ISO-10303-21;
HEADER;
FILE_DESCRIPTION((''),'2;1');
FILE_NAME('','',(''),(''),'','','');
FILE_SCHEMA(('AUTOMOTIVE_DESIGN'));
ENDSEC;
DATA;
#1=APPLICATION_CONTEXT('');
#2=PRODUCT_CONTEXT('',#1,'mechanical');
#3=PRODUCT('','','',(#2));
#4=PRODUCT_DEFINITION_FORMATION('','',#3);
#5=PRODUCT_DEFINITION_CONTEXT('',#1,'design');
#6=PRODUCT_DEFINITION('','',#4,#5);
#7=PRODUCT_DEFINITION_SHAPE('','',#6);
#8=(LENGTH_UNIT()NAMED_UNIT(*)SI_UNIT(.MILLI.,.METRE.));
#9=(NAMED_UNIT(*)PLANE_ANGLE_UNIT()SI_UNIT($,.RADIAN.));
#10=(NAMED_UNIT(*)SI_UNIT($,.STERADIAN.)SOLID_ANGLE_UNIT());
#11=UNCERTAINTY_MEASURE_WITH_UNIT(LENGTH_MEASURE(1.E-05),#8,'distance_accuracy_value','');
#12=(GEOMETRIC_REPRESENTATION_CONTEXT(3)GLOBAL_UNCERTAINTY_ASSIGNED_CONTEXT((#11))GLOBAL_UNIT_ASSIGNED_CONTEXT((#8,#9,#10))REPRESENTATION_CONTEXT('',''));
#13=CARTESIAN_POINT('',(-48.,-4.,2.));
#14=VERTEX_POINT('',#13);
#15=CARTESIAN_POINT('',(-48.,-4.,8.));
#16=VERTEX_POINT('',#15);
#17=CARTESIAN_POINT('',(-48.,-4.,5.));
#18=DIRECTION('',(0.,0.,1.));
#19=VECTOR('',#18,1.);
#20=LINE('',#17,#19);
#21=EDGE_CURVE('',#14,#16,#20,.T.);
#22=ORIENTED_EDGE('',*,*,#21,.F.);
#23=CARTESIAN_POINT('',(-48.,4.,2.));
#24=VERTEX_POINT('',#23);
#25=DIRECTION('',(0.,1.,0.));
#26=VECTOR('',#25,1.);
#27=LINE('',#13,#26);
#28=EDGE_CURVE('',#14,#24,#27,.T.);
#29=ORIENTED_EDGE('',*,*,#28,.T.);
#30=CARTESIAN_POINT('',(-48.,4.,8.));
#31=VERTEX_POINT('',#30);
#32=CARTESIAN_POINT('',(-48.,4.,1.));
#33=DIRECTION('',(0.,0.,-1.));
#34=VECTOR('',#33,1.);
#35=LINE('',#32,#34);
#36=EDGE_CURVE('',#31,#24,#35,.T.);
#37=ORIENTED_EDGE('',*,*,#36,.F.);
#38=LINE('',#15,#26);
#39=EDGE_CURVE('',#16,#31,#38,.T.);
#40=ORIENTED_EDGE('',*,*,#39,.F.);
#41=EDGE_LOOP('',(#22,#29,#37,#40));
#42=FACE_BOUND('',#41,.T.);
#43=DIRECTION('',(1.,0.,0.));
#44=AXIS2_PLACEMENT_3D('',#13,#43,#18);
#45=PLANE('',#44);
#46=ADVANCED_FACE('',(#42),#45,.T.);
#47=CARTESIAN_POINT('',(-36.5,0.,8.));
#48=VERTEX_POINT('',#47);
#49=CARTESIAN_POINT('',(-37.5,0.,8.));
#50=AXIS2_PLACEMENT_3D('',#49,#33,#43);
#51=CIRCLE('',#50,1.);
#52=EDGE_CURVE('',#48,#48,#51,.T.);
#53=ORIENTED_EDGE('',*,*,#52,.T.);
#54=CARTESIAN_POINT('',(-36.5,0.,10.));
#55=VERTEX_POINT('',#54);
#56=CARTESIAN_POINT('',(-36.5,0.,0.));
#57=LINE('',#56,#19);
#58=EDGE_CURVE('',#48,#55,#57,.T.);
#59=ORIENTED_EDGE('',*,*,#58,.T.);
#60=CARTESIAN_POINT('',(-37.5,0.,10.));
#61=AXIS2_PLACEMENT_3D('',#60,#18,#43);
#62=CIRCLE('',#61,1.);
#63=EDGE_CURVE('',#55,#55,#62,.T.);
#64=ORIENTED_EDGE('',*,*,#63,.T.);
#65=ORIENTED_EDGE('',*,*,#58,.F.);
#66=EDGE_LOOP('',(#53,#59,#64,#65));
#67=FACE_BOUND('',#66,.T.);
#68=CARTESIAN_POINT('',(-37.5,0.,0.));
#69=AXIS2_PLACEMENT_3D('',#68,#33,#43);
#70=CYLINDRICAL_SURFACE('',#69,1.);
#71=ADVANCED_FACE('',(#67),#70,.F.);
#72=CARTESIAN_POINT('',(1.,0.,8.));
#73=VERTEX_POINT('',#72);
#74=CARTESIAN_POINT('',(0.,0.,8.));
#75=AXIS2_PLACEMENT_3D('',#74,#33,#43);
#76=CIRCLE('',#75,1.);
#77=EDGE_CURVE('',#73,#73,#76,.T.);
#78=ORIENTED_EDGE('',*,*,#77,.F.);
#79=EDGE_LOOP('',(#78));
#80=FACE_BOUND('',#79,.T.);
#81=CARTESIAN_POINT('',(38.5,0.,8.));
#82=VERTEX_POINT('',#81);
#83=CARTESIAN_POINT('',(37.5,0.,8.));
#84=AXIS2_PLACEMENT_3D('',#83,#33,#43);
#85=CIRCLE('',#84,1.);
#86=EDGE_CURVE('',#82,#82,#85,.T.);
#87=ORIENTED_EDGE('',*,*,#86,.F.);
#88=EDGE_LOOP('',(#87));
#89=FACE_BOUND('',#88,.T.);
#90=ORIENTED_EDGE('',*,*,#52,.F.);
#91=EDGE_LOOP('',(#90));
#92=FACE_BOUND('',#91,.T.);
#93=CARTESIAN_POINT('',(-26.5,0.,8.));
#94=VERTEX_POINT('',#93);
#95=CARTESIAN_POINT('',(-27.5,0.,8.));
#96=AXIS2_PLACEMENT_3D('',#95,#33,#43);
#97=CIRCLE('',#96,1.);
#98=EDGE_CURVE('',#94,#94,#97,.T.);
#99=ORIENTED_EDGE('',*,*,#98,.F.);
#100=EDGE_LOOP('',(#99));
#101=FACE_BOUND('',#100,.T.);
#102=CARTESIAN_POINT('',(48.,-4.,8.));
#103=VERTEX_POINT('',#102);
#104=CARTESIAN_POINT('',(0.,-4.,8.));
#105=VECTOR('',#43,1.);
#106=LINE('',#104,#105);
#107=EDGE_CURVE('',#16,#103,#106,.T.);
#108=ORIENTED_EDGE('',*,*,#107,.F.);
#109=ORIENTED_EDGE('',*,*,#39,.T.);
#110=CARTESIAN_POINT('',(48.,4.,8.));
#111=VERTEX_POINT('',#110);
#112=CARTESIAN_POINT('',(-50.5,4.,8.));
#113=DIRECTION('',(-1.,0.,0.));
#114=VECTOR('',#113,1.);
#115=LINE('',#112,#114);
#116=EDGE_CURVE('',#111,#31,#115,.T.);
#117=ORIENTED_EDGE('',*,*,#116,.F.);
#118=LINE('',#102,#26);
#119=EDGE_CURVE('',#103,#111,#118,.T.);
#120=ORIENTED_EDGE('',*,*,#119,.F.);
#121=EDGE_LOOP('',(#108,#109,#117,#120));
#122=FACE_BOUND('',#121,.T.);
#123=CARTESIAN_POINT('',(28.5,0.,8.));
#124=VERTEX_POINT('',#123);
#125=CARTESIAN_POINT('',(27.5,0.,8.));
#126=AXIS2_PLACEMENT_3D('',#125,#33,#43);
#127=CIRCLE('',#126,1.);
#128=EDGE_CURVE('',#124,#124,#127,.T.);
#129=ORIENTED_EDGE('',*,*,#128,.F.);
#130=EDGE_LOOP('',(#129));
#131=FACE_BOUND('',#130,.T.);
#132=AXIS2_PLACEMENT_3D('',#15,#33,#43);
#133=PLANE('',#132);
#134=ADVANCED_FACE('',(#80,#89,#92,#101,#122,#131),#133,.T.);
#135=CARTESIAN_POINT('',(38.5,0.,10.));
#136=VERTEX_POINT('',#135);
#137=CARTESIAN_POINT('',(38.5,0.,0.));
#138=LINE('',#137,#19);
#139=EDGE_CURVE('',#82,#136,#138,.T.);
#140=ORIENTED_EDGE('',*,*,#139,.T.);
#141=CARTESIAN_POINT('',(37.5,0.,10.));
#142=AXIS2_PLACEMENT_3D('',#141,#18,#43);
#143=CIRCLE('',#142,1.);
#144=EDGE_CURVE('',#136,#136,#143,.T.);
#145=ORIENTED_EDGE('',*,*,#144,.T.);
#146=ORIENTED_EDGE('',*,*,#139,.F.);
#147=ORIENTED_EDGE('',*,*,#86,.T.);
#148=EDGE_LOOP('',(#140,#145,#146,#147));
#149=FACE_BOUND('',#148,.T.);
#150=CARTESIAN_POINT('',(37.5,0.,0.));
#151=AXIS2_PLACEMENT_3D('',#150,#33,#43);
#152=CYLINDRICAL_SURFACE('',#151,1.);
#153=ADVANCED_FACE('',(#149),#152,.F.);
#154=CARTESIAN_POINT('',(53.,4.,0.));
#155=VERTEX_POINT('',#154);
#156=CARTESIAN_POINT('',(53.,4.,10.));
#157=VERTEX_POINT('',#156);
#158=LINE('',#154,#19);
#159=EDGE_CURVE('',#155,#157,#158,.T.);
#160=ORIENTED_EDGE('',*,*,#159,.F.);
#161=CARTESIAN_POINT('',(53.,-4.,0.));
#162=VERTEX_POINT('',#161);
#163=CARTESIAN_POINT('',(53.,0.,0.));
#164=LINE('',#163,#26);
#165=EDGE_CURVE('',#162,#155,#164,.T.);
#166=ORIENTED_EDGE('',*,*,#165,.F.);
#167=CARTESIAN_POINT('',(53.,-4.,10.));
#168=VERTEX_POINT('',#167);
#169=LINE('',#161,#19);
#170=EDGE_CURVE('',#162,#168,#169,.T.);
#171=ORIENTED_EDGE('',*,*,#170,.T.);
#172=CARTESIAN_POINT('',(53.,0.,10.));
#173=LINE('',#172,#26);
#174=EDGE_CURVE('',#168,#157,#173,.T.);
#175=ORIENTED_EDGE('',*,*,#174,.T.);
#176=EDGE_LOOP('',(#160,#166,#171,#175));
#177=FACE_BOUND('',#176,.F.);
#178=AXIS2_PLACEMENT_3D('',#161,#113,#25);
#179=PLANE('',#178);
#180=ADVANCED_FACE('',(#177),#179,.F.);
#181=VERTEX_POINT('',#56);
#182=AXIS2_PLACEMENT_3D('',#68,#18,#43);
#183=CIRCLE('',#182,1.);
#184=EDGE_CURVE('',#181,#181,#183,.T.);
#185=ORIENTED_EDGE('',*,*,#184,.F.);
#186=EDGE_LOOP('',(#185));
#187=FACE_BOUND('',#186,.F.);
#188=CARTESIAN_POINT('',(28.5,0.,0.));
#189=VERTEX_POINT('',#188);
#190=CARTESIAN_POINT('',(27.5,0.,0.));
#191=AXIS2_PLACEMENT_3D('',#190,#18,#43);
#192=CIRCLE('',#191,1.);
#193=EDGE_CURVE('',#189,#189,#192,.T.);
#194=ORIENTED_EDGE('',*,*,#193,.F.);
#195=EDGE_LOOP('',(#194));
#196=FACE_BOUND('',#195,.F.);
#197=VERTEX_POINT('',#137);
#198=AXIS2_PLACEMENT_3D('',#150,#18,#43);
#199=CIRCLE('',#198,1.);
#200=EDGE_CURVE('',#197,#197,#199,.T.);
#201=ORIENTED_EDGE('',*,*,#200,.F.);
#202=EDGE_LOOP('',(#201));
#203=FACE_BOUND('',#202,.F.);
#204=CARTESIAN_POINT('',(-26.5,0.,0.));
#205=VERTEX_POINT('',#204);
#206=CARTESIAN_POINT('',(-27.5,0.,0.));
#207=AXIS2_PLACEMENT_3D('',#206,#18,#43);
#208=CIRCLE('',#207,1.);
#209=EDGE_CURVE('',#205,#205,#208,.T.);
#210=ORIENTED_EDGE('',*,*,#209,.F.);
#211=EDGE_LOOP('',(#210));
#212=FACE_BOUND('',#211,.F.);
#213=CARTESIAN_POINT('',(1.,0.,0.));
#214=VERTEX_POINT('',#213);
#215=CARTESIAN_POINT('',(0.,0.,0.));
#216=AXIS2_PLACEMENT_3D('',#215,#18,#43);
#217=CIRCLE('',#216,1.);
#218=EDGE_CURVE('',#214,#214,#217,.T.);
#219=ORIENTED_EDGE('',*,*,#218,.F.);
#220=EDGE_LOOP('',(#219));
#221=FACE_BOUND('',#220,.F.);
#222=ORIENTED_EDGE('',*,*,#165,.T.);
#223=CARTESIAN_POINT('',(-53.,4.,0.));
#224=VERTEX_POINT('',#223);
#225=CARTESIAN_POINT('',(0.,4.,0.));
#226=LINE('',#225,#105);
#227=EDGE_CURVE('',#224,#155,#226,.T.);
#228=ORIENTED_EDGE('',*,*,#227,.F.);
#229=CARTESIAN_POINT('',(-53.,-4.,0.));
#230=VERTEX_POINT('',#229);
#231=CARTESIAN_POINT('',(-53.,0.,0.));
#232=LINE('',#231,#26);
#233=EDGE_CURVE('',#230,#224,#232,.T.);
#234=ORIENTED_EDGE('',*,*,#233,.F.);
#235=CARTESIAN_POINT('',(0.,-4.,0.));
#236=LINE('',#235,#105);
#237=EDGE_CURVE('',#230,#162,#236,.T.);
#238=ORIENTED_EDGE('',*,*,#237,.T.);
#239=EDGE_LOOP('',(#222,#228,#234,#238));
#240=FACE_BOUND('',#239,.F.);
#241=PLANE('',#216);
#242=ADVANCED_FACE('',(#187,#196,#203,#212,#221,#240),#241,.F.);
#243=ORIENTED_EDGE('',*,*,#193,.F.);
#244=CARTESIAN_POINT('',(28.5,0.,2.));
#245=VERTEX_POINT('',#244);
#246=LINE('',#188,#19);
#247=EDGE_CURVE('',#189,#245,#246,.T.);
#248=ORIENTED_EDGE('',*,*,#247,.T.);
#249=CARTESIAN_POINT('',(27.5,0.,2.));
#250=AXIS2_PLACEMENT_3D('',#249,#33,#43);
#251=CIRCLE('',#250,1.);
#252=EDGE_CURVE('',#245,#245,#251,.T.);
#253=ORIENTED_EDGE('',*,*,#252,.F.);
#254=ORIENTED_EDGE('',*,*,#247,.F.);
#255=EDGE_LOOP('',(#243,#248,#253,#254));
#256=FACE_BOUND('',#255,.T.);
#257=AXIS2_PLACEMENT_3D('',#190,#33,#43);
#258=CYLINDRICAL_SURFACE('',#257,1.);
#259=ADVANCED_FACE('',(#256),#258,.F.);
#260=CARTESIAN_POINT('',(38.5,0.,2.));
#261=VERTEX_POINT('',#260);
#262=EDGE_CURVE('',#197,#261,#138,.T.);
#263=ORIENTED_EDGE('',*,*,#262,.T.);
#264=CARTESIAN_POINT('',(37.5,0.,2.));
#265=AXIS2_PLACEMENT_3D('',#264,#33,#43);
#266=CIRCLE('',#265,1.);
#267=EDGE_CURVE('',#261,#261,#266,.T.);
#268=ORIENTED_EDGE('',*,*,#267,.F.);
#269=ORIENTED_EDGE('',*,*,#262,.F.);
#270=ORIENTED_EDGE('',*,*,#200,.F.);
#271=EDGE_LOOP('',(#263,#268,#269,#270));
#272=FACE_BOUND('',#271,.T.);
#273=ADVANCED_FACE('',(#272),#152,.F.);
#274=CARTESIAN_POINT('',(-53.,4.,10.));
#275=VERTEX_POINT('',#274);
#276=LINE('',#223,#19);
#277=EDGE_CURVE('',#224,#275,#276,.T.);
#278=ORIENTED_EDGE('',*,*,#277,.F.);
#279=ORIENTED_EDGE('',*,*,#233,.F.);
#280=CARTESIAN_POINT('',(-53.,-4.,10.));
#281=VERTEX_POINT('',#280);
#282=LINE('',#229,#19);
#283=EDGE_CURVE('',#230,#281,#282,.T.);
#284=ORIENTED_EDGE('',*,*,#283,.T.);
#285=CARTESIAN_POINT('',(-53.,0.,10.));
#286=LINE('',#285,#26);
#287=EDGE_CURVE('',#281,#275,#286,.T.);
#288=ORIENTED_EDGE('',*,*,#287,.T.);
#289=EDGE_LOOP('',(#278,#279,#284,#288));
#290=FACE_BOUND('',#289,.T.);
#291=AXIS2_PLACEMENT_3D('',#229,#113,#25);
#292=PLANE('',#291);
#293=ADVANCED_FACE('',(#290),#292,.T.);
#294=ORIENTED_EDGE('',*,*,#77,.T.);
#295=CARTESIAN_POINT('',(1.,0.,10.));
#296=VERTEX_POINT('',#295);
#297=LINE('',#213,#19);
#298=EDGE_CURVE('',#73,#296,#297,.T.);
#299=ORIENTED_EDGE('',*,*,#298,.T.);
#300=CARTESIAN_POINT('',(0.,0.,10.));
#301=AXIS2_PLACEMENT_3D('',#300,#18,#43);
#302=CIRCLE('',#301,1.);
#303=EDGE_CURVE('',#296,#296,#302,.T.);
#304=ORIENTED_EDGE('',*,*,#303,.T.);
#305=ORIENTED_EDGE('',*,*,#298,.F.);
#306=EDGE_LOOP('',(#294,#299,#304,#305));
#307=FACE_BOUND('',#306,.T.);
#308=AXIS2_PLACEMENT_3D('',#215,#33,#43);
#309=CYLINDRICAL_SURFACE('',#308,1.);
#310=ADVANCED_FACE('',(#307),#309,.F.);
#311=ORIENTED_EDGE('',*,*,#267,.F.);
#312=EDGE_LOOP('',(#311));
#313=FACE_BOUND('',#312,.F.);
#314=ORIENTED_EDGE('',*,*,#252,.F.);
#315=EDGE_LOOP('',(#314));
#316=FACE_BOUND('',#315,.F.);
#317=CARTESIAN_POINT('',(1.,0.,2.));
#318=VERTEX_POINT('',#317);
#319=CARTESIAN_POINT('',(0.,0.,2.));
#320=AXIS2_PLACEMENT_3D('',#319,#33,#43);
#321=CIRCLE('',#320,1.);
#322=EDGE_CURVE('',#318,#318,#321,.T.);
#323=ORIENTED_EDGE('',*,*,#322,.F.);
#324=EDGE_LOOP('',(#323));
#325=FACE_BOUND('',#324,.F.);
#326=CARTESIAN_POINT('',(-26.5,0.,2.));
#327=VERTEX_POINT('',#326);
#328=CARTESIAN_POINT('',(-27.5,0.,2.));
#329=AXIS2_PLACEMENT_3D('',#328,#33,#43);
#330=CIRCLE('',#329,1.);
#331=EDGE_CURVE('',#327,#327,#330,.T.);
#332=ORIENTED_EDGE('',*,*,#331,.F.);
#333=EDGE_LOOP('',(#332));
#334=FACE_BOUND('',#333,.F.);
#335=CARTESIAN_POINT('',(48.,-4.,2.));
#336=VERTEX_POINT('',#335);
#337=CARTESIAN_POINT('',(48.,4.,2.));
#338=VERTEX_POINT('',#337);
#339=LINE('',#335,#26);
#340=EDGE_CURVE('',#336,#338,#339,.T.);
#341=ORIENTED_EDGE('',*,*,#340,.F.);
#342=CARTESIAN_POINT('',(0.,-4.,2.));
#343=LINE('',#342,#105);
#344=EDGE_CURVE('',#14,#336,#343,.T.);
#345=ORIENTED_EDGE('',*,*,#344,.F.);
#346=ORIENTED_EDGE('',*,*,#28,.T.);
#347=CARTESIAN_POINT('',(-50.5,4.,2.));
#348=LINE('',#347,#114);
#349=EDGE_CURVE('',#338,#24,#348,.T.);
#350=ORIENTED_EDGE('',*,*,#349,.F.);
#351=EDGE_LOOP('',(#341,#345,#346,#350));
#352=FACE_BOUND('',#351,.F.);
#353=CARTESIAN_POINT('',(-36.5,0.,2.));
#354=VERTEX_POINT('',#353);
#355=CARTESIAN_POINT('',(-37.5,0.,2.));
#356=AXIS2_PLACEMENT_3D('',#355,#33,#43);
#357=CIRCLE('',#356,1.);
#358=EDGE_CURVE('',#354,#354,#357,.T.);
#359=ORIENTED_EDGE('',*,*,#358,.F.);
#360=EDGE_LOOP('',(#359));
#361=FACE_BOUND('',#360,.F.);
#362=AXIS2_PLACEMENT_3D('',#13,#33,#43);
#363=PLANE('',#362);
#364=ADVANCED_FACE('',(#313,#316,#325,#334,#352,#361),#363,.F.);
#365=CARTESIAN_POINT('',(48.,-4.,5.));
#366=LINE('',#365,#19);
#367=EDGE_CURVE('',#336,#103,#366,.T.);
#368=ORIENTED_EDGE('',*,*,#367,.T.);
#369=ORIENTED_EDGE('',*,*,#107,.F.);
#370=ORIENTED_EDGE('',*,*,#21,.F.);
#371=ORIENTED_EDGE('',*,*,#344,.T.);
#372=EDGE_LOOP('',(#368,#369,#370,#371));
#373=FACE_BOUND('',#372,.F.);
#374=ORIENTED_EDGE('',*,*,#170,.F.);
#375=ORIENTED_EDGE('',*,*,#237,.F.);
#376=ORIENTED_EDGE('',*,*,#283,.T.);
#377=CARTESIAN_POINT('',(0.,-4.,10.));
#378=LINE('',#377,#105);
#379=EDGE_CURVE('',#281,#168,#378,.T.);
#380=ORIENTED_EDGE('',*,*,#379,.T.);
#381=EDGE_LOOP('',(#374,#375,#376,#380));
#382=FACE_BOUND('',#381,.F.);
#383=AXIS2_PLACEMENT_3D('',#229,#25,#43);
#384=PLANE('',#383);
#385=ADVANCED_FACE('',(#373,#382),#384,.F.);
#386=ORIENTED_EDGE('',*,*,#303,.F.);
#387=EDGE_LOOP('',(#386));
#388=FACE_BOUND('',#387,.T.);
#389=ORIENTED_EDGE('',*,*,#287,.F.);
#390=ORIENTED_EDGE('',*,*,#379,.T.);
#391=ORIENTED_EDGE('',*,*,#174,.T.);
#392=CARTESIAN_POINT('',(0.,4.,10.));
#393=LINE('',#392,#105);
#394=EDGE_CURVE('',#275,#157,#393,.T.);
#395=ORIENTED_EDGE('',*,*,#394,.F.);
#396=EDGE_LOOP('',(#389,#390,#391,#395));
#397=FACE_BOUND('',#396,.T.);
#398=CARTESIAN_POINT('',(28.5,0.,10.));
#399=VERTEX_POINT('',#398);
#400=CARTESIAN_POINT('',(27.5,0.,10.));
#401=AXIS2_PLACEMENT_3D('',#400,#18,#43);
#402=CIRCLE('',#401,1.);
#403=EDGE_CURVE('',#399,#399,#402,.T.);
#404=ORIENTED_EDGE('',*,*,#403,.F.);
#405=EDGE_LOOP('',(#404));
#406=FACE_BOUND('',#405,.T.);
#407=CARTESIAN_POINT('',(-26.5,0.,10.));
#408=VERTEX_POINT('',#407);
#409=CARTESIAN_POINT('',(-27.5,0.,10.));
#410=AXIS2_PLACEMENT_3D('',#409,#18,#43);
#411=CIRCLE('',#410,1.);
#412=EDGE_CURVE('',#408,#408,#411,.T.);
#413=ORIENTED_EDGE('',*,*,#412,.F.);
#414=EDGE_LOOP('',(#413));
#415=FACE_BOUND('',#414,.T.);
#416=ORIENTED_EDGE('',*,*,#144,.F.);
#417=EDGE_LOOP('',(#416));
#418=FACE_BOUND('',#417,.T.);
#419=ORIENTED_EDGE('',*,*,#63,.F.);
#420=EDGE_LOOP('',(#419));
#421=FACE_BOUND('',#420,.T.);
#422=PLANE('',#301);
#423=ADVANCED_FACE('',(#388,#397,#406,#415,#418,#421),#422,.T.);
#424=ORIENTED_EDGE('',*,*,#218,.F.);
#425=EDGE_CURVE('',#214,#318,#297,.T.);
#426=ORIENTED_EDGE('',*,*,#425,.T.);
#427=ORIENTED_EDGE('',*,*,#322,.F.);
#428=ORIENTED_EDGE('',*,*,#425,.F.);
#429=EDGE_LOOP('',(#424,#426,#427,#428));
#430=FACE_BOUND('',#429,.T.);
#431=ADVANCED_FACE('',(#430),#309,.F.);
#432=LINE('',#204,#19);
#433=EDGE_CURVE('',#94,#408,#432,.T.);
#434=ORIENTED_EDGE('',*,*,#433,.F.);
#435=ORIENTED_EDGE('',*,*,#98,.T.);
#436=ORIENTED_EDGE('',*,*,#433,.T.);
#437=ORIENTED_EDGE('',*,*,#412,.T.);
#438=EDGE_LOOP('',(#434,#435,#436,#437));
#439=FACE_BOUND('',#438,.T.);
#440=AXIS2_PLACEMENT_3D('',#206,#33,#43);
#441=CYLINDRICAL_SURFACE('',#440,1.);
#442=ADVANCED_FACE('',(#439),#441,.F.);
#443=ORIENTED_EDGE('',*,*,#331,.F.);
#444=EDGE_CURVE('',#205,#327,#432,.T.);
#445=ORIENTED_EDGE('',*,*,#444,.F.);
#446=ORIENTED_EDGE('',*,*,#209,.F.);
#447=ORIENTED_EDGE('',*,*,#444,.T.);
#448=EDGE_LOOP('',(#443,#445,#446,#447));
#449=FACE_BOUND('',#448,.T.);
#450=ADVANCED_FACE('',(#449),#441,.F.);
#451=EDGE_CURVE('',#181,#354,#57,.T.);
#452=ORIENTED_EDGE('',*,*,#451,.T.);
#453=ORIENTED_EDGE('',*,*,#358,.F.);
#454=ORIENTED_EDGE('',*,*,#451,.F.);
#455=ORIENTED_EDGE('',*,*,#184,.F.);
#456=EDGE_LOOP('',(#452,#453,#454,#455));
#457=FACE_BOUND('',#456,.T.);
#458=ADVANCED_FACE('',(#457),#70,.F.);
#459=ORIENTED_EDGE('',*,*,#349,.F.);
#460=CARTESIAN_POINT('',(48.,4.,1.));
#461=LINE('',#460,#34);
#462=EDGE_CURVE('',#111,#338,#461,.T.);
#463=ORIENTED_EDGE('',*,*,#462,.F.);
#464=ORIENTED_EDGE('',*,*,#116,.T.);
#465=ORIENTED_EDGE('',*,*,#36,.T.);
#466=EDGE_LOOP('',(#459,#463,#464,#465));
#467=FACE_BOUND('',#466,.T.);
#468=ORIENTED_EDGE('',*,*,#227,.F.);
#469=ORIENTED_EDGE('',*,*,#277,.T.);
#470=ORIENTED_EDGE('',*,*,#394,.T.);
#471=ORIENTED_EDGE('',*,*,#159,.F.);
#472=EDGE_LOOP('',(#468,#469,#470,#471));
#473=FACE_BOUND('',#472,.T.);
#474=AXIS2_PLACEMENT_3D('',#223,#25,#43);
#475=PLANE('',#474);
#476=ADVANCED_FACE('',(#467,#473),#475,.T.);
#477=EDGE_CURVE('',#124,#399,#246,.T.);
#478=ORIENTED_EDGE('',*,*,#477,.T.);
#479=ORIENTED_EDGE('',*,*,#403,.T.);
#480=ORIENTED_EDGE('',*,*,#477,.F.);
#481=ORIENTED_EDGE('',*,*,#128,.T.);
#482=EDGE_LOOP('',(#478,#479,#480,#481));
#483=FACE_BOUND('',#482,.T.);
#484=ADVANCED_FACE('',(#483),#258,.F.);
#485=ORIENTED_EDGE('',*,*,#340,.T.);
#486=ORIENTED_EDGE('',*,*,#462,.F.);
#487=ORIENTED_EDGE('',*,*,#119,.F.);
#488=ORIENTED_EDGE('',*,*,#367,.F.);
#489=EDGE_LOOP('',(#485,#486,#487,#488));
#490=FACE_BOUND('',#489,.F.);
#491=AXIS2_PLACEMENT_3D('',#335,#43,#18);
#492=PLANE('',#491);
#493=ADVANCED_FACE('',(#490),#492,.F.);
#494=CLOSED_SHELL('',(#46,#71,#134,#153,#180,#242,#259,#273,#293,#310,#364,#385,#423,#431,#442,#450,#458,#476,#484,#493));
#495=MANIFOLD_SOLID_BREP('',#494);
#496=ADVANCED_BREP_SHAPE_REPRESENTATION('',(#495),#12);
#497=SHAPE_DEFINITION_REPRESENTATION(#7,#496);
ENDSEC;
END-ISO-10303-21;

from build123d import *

# Parameters (mm, degrees)
F1_W     = 106
F1_H     = 8
F1_R     = 1
F2_DEPTH = 10
F3_W     = 96
F3_H     = 6
F4_DEPTH = 25


with BuildPart() as f2:
    # F1 (on Top) → F2 (new body)
    with BuildSketch(Plane.XY):
        Rectangle(F1_W, F1_H)
        with Locations((-37.5, 0)):
            Circle(F1_R, mode=Mode.SUBTRACT)
        with Locations((-27.5, 0)):
            Circle(F1_R, mode=Mode.SUBTRACT)
        Circle(F1_R, mode=Mode.SUBTRACT)
        with Locations((27.5, 0)):
            Circle(F1_R, mode=Mode.SUBTRACT)
        with Locations((37.5, 0)):
            Circle(F1_R, mode=Mode.SUBTRACT)
    extrude(amount=F2_DEPTH)

    # F3 (on face) → F4 (cut)
    with BuildSketch(Plane.XZ.offset(4)):
        with Locations((0, 5)):
            Rectangle(F3_W, F3_H)
    extrude(amount=-F4_DEPTH, mode=Mode.SUBTRACT)


solid = f2.part
